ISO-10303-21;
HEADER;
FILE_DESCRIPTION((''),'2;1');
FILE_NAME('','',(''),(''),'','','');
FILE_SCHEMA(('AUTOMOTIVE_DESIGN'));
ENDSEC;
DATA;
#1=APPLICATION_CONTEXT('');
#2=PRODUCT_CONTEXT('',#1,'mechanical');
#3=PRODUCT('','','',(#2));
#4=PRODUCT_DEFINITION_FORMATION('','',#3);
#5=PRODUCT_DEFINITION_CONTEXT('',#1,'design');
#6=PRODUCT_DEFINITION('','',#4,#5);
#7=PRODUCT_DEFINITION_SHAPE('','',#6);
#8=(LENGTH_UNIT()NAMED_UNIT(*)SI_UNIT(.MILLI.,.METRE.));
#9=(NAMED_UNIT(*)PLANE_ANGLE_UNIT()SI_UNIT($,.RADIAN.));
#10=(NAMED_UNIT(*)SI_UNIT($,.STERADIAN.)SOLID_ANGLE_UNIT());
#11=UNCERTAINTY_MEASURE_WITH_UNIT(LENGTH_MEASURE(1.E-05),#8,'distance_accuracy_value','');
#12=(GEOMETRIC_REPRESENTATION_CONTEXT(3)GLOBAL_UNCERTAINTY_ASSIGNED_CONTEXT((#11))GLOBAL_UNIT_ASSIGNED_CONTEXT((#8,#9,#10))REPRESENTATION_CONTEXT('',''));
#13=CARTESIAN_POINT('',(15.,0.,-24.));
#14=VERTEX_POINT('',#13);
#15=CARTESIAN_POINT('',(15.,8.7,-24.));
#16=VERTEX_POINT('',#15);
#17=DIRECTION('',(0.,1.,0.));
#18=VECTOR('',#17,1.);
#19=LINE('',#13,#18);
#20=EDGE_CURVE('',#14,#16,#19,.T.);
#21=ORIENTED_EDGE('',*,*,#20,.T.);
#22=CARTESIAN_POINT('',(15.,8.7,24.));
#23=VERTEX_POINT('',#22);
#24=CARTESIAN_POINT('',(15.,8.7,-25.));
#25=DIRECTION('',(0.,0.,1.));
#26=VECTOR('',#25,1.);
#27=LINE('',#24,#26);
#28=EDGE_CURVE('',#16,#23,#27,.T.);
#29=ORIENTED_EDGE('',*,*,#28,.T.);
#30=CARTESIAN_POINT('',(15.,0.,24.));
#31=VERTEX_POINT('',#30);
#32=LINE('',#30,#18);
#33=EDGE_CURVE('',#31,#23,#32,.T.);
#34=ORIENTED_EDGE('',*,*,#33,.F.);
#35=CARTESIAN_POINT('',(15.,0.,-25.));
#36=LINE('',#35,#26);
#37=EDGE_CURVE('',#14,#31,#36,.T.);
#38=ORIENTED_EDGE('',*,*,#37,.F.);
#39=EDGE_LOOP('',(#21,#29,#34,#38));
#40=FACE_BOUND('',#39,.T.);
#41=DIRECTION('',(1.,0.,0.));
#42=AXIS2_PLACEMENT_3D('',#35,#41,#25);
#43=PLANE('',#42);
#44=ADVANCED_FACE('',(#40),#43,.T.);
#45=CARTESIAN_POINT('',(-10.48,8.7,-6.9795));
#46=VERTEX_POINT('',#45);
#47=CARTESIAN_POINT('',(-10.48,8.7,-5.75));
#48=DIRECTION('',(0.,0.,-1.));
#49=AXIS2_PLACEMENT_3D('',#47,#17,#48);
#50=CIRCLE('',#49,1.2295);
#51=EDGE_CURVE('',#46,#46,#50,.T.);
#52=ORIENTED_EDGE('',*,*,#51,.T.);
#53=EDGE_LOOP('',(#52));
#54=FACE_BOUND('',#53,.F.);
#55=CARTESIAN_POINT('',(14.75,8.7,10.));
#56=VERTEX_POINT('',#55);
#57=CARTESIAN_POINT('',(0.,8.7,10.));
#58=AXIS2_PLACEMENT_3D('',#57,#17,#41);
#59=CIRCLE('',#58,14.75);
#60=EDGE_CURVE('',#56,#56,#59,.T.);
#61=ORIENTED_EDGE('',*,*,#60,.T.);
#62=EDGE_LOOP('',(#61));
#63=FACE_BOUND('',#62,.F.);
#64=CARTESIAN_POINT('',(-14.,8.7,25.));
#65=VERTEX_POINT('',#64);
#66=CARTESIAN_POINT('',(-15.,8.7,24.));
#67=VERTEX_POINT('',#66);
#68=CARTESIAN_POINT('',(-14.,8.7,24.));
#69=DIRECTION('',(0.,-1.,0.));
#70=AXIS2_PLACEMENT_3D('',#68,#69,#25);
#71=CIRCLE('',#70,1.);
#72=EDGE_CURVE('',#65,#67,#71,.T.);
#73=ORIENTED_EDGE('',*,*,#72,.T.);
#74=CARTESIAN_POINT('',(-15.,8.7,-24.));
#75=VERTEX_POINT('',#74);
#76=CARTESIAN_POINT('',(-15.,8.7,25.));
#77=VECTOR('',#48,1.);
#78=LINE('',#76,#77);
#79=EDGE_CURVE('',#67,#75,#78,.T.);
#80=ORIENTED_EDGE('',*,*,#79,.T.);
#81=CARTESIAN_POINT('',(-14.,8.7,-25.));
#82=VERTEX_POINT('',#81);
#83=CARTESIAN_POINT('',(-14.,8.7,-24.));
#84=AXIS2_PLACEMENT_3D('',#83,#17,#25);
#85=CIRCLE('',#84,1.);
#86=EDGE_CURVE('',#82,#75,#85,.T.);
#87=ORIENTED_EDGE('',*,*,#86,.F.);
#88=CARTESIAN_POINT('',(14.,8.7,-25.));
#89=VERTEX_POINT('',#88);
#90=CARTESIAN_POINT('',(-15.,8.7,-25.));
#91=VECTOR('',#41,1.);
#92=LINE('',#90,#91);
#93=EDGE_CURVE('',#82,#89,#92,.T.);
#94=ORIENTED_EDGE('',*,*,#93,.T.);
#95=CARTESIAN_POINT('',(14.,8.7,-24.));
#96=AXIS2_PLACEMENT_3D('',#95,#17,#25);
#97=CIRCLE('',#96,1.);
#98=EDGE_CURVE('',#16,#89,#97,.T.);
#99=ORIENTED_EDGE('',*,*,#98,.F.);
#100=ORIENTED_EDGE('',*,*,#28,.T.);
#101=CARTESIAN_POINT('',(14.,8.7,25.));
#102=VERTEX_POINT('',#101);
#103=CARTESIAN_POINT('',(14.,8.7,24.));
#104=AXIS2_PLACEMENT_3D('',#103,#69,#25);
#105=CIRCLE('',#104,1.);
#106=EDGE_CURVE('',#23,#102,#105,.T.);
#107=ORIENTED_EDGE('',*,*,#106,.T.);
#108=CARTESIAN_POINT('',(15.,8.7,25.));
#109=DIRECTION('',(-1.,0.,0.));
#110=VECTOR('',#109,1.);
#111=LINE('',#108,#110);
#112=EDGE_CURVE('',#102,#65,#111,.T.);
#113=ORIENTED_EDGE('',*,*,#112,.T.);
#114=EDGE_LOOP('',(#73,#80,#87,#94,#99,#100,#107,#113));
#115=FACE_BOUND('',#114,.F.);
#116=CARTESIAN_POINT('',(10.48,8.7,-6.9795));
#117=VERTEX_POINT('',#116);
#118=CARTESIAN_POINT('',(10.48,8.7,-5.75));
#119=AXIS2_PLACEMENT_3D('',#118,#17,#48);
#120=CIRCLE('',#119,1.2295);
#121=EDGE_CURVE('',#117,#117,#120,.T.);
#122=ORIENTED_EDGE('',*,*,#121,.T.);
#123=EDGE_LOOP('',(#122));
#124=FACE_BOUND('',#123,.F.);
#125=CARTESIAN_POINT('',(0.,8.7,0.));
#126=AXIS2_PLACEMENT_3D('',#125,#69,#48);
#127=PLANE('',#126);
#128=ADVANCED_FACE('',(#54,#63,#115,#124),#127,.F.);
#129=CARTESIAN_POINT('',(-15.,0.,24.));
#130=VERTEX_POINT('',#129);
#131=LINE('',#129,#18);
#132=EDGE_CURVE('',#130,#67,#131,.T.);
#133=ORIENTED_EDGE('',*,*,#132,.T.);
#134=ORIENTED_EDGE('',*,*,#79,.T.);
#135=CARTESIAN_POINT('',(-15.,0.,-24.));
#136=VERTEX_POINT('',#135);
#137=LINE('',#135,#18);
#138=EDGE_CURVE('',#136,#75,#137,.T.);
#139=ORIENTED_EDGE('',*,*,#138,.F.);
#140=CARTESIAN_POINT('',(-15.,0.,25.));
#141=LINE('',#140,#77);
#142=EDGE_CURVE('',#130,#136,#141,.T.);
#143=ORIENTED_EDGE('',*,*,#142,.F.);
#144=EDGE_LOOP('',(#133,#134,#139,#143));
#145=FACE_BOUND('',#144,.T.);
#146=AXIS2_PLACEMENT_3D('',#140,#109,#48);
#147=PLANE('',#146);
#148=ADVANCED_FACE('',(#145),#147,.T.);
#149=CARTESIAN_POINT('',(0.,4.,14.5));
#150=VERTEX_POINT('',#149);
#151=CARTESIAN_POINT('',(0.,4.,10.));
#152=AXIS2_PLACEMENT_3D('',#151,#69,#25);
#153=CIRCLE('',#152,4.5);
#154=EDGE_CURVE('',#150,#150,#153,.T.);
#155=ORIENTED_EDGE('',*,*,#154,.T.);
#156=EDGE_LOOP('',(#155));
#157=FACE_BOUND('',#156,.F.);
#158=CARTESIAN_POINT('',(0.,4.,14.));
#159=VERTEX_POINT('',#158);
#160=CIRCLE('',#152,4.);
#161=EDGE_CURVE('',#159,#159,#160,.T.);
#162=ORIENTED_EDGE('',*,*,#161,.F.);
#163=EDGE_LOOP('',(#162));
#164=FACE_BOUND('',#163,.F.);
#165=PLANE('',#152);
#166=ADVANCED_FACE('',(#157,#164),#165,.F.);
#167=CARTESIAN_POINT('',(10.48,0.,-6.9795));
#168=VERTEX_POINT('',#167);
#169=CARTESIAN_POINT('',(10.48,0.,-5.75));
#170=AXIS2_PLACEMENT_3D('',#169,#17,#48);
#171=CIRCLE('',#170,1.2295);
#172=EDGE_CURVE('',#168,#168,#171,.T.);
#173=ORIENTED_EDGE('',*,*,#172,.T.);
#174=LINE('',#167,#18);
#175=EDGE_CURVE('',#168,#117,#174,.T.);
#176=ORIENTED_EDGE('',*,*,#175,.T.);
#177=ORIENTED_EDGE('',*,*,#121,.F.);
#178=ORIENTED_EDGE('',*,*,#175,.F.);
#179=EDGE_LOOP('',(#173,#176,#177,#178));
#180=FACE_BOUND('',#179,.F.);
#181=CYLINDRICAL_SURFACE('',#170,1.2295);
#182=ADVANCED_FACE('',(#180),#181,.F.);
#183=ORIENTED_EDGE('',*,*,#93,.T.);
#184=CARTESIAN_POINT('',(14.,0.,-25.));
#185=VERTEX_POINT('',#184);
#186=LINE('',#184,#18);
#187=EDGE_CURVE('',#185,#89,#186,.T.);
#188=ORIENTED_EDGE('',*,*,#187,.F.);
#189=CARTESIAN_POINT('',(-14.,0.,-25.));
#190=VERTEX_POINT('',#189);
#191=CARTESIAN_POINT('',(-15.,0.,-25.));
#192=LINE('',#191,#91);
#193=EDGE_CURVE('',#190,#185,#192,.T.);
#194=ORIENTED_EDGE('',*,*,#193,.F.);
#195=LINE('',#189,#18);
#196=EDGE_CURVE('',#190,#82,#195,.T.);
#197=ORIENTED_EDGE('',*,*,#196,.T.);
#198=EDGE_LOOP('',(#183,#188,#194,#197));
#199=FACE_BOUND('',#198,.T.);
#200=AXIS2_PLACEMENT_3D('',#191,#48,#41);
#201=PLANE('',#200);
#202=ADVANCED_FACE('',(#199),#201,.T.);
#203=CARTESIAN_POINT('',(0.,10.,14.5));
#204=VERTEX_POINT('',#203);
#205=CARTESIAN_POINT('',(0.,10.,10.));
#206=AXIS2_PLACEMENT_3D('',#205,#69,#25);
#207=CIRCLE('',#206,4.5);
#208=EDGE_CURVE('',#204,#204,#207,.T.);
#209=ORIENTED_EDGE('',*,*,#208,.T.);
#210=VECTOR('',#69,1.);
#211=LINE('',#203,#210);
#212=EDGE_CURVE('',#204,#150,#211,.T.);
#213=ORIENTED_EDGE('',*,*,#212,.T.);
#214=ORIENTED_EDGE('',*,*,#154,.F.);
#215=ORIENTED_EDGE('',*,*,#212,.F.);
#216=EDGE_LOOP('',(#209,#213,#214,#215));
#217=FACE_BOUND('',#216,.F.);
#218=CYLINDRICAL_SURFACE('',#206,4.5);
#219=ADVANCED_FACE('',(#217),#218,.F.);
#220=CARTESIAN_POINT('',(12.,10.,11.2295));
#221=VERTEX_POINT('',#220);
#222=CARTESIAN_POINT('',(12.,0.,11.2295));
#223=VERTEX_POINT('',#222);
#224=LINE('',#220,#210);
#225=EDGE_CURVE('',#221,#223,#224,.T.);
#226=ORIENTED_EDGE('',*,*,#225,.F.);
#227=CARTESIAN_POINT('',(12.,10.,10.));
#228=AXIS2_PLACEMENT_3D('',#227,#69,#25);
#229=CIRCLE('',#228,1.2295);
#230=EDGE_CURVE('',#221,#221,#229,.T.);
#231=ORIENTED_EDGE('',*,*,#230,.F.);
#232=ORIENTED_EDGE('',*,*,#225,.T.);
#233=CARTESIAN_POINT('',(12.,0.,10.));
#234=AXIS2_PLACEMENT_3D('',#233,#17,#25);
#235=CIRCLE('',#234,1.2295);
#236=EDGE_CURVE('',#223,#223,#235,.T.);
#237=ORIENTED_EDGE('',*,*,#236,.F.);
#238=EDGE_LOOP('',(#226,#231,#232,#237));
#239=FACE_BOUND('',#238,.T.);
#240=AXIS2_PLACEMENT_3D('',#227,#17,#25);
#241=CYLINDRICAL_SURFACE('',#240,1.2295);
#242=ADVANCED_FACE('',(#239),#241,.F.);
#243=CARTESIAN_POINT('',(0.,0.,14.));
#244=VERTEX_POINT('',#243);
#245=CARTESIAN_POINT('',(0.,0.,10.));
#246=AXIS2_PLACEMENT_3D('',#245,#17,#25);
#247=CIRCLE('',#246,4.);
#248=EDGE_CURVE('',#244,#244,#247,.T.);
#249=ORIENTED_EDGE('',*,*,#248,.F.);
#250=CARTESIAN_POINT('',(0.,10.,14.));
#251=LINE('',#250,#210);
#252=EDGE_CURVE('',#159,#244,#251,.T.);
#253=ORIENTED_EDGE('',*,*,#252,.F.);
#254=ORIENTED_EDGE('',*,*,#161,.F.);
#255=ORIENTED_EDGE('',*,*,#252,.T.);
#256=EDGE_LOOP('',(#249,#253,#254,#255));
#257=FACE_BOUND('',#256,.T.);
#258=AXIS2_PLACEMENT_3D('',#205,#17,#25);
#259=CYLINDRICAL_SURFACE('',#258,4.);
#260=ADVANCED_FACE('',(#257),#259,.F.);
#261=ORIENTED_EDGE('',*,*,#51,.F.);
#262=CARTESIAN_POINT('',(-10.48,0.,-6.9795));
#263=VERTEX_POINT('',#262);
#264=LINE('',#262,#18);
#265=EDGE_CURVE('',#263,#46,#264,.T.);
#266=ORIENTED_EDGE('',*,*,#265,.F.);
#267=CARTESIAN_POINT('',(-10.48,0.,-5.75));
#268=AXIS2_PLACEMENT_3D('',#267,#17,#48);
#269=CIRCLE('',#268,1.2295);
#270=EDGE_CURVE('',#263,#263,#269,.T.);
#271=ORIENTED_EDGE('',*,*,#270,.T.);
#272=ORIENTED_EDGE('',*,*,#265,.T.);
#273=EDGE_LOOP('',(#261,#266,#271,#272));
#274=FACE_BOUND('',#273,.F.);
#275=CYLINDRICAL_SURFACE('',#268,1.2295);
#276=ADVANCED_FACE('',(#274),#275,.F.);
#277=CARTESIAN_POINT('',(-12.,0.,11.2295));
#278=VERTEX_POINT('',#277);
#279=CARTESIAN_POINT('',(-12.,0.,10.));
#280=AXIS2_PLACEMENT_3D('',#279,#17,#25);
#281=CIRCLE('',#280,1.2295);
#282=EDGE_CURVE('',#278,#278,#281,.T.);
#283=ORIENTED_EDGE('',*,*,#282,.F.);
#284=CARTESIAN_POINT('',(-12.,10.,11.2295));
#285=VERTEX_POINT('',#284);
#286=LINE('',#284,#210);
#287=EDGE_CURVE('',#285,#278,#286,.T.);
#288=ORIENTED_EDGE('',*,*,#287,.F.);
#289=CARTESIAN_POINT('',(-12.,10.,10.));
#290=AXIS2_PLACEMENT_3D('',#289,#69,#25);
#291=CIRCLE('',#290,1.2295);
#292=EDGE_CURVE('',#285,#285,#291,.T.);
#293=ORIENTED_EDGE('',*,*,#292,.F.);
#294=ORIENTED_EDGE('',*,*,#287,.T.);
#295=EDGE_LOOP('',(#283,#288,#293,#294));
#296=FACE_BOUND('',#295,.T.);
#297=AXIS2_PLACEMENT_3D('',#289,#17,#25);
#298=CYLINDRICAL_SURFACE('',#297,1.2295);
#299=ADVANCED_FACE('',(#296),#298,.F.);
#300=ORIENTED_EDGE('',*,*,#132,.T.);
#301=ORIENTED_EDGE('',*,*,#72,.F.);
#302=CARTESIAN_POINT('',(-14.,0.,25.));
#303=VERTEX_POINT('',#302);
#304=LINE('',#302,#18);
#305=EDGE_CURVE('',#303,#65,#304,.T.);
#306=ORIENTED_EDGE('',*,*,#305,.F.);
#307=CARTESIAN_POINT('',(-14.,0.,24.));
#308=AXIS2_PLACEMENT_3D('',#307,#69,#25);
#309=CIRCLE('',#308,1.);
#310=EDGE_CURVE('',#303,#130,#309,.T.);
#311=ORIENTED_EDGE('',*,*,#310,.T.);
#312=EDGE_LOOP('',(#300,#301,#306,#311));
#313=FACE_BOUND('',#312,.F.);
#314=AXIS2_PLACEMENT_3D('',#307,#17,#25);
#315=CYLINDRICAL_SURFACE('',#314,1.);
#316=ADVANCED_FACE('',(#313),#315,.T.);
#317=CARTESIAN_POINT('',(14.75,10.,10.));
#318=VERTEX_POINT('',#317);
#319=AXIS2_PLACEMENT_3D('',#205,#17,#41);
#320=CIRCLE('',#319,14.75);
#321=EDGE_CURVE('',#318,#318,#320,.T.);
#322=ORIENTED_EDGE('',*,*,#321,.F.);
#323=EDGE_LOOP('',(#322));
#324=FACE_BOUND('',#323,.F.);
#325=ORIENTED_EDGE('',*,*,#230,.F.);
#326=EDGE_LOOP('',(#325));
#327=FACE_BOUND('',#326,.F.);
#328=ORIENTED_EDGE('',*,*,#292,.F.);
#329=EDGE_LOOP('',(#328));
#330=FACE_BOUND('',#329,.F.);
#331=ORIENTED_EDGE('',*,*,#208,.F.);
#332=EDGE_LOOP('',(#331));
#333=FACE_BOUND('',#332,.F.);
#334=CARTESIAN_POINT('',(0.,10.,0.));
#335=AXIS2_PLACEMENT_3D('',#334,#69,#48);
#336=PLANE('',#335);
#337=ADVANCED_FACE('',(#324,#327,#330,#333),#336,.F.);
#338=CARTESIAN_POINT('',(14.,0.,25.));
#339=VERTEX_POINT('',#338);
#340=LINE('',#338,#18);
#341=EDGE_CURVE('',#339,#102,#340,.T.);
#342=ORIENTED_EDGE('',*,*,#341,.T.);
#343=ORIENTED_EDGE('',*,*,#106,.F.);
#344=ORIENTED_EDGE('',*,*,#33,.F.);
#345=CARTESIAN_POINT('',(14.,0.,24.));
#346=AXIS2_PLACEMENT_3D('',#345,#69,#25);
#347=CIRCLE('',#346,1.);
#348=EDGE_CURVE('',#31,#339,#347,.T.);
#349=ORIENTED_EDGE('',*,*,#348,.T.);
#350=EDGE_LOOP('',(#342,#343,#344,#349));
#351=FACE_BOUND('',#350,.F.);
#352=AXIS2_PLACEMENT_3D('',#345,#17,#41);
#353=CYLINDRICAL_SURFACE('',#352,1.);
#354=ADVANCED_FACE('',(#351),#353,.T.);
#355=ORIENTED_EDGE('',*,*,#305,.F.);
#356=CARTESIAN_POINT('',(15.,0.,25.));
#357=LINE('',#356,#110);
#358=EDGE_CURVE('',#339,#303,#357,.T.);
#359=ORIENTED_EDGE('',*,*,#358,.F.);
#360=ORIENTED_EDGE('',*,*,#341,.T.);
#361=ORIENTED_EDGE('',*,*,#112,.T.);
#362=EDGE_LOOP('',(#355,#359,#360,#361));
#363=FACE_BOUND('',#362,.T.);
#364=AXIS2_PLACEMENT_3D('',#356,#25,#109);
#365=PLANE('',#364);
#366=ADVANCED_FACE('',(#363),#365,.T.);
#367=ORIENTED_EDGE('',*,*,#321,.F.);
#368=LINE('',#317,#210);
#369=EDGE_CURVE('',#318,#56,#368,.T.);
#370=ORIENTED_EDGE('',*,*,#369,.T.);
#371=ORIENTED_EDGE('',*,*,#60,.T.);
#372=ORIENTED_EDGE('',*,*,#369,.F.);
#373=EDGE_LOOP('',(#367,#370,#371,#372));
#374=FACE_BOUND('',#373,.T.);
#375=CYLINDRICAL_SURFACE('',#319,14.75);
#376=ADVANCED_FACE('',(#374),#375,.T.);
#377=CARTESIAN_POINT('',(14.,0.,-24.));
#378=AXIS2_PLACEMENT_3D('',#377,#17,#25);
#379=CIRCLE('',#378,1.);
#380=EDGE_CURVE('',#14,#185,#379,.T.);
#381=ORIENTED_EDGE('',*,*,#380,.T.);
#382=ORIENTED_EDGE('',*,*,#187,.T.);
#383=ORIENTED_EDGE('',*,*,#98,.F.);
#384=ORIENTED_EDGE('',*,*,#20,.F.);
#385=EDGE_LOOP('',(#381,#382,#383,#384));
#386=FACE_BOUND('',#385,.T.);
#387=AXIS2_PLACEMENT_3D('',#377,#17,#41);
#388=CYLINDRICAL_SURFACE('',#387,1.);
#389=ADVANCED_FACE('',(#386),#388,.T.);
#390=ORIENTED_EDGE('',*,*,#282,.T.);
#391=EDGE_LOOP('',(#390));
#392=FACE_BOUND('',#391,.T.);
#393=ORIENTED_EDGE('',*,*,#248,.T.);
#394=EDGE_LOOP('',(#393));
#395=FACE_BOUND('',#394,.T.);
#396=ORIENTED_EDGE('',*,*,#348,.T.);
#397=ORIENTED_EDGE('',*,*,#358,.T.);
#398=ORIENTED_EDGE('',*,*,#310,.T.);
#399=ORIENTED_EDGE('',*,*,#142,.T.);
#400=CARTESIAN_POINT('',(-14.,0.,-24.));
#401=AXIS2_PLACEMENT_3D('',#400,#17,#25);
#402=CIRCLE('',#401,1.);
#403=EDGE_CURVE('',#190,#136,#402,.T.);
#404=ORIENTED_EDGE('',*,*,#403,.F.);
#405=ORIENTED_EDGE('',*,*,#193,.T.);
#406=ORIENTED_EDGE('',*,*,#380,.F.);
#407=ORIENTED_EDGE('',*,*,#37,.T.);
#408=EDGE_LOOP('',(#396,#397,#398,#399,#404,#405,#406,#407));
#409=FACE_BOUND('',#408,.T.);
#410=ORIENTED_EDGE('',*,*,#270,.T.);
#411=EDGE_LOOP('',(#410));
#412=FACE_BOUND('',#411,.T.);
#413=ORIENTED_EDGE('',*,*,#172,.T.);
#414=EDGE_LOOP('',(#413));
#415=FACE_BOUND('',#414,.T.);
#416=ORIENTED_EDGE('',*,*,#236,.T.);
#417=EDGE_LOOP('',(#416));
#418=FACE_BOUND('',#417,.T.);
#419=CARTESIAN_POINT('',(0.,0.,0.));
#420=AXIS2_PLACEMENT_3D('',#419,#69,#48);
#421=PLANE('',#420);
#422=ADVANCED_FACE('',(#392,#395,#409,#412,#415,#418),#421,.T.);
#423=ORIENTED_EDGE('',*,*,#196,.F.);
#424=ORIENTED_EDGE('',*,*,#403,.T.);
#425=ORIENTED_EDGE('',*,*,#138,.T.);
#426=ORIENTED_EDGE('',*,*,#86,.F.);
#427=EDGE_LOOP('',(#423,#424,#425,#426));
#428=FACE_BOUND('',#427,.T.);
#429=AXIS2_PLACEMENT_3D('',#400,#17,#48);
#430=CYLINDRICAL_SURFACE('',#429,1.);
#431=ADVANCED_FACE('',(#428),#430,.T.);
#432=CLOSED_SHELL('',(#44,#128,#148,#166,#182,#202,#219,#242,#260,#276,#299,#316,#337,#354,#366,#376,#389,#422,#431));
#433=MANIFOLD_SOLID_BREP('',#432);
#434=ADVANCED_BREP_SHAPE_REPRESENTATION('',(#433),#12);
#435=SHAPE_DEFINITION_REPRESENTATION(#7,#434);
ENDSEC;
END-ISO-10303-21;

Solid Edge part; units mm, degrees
sketch "Sketch1" plane through (0, 0, 0) normal (0, -1, 0) x (1, 0, 0)
  line L0 (15, -25) -> (15, 25)
  line L1 (15, 25) -> (-15, 25)
  line L2 (-15, 25) -> (-15, -25)
  line L3 (-15, -25) -> (15, -25)
extrude "Protrusion1" add sketch "Sketch1" against normal blind 10
hole "Bohrung_1" at (0, 10, 10) direction (0, -1, 0) diameter 8 end through all counterbore diameter 9 counterbore depth 6
sketch "Sketch2" plane through (0, 10, 0) normal (0, 1, 0) x (1, 0, 0)
  line L0 (-15, 25) -> (15, 25)
  line L1 (15, 25) -> (15, -25)
  line L2 (15, -25) -> (-15, -25)
  line L3 (-15, -25) -> (-15, 25)
  circle A0 centre (0, -10) radius 14.75
extrude "Extrusionsausprägung_2" cut sketch "Sketch2" against normal blind 1.3
fillet "Verrundung_1" radius 1 4 edges at (-15, 4.35, 25) (15, 4.35, 25) (15, 4.35, -25) (-15, 4.35, -25)
hole "Bohrung_2" at (-12, 10, 10) direction (0, -1, 0) diameter 2.459 end through all
hole "Hole1" at (12, 10, 10) direction (0, -1, 0) diameter 2.459 end through all
hole "Bohrung_4" at (10.48, 0, -5.75) direction (0, 1, 0) diameter 2.459 depth 15 thread major 3 thread length 10
hole "Hole2" at (-10.48, 0, -5.75) direction (0, 1, 0) diameter 2.459 depth 15 thread major 3 thread length 10
